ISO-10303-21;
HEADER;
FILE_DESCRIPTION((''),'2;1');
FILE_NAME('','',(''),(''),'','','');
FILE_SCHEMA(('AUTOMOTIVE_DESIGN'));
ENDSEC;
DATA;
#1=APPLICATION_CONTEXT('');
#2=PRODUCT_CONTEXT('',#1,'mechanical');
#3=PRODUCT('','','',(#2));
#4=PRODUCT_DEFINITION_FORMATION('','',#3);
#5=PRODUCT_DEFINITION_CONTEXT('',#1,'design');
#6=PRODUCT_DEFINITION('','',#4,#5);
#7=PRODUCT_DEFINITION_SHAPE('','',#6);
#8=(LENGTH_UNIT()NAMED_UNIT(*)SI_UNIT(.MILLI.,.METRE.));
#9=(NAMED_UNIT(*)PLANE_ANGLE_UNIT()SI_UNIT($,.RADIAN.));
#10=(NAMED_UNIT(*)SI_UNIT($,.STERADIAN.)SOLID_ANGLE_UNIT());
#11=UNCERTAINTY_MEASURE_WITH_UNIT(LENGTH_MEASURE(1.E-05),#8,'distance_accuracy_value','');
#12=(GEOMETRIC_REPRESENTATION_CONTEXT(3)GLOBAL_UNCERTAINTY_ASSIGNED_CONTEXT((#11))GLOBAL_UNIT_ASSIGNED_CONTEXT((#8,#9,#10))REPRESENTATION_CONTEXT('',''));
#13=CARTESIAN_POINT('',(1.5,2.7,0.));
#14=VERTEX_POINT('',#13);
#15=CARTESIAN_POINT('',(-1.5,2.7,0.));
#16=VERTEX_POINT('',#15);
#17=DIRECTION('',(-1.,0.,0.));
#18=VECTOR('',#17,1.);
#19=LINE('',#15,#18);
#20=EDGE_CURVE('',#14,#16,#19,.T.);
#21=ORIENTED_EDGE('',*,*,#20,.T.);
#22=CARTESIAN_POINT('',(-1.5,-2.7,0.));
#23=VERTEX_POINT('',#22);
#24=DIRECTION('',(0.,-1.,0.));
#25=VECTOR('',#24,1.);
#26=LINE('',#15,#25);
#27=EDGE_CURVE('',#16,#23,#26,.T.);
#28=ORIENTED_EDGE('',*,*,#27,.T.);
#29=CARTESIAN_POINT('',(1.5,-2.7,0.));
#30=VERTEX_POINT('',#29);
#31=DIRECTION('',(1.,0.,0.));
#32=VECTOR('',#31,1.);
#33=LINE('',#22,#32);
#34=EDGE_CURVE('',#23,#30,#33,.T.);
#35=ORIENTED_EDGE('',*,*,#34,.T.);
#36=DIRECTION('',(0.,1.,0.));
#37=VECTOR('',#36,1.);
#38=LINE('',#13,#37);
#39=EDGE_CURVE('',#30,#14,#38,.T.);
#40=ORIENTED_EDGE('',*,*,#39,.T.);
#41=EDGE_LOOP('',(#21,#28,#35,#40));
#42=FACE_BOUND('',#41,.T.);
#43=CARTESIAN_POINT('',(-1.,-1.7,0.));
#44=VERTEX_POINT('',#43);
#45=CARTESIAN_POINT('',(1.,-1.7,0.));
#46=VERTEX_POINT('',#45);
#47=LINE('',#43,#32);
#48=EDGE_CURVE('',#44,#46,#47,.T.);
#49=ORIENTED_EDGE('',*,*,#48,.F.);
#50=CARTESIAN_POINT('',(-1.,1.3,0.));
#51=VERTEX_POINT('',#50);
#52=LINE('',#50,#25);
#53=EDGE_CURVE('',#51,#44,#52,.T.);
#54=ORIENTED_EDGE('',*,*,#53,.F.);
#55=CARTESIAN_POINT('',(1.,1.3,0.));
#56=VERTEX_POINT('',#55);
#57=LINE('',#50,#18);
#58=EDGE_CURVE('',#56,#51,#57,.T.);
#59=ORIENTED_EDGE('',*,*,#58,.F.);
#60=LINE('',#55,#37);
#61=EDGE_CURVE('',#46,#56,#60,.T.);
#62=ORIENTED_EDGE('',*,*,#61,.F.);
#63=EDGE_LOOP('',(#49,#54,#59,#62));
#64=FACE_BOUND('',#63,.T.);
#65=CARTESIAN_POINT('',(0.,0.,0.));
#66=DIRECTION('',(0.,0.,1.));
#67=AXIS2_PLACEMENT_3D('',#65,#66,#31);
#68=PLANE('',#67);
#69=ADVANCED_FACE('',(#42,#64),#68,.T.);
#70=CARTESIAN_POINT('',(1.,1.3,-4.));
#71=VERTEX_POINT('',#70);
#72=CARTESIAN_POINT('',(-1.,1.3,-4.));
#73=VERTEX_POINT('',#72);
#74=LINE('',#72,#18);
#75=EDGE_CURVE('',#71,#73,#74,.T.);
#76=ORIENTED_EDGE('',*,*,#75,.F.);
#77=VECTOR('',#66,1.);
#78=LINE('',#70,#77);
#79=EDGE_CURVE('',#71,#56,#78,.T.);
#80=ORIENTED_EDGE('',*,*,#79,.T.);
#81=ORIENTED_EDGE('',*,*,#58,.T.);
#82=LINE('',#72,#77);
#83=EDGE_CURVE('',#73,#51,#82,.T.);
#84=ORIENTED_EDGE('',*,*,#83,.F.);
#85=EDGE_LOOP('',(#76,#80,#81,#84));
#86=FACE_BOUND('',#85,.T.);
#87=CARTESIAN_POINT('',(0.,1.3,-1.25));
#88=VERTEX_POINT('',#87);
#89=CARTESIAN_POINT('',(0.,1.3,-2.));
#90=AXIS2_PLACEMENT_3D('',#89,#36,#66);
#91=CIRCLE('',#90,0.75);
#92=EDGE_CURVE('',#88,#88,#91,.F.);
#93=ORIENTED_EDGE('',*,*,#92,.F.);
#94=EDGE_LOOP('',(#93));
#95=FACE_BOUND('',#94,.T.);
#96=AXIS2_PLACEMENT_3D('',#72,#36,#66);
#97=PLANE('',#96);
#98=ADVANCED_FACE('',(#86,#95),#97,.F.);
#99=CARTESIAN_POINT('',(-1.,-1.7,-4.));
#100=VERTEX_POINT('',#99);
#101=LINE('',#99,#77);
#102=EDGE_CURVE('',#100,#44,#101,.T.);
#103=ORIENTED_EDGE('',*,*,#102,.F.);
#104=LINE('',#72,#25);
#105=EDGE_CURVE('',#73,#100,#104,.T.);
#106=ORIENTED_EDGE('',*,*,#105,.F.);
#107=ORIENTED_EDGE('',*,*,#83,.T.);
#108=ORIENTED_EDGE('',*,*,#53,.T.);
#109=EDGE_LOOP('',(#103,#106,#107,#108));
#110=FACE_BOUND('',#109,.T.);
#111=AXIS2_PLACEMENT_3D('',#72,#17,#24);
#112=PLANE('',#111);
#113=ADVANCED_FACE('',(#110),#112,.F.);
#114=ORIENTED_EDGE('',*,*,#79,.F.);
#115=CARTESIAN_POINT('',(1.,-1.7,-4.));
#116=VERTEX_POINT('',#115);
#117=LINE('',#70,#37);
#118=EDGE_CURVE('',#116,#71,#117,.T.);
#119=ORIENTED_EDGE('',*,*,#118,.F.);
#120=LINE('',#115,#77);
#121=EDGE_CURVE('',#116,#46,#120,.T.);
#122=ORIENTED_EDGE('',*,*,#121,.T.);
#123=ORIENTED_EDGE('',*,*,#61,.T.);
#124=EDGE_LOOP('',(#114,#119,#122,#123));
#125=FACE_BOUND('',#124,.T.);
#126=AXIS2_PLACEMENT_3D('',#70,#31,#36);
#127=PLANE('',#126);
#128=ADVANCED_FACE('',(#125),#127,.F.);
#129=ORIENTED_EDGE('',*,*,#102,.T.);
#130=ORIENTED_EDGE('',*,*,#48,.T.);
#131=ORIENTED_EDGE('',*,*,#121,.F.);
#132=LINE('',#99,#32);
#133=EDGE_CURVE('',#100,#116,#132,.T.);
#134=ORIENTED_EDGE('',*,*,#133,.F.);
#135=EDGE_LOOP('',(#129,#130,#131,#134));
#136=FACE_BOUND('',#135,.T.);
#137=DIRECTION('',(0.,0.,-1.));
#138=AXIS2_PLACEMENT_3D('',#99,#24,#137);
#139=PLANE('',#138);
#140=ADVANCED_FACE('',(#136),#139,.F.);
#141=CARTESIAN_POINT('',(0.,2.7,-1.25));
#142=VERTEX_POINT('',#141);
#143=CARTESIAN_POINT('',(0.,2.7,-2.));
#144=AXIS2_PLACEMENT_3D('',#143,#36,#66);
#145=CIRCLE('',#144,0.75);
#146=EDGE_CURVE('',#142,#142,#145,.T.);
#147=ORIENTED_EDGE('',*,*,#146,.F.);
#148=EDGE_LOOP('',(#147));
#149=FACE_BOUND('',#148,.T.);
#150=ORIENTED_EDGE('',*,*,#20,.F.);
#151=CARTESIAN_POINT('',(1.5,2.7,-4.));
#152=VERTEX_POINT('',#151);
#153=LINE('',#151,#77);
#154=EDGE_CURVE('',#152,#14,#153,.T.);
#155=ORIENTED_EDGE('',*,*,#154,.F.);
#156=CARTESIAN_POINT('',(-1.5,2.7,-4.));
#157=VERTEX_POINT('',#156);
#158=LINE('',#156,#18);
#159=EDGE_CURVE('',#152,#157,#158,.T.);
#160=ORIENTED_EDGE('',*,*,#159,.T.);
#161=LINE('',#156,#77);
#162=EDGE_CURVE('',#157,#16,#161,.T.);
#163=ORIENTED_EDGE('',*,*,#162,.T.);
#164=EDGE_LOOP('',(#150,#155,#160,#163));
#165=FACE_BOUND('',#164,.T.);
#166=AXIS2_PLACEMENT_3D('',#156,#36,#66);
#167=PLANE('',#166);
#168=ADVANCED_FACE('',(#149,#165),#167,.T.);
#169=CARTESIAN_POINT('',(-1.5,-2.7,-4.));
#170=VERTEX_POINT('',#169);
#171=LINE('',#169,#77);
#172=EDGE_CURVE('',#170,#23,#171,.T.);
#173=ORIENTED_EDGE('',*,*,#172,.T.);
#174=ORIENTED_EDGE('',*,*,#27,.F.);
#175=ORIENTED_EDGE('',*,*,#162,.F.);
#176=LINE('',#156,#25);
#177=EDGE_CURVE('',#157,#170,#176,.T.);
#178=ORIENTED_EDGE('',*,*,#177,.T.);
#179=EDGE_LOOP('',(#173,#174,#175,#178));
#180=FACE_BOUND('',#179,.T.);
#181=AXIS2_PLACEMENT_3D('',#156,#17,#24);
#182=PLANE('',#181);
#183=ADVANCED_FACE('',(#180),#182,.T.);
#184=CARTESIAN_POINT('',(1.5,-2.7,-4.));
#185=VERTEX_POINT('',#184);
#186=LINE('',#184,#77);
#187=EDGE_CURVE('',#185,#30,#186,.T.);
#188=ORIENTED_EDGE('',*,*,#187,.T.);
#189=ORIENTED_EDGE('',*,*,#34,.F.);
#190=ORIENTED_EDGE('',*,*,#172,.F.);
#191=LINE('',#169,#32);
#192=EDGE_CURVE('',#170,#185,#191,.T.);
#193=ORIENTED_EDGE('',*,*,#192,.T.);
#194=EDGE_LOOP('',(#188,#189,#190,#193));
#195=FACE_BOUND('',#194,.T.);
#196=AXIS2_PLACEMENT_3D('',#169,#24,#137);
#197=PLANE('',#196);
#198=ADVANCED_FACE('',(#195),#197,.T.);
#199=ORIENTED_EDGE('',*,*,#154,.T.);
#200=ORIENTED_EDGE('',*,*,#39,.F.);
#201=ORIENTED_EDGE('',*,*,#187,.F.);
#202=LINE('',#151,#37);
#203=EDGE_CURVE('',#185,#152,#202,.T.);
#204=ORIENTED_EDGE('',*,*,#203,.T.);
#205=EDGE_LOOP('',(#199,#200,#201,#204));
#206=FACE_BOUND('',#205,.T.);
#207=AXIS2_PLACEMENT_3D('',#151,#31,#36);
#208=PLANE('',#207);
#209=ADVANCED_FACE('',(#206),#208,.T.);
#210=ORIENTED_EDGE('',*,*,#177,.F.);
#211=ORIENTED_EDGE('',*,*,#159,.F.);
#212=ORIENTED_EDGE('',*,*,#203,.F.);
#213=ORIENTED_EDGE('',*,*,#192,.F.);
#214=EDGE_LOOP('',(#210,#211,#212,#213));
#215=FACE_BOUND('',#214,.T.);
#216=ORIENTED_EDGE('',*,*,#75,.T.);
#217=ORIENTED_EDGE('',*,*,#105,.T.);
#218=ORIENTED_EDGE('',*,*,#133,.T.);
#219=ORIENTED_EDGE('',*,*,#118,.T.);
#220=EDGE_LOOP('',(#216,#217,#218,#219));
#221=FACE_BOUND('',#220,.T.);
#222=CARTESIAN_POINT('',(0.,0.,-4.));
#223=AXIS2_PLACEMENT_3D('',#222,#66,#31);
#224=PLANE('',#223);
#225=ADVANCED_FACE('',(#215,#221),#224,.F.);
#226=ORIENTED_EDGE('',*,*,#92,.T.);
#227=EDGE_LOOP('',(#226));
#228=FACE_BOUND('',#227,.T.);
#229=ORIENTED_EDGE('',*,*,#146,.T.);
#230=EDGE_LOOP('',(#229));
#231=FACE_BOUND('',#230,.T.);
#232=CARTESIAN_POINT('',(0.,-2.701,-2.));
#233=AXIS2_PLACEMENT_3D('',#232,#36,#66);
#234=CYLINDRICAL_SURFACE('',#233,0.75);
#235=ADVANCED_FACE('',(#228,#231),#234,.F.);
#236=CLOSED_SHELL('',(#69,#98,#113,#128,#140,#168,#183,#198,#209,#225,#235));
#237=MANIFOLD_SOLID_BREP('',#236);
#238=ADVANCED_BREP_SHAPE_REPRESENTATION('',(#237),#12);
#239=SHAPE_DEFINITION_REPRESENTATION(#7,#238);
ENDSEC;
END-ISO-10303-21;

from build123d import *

# Parameters (mm, degrees)
SKETCH_1_W          = 3
SKETCH_1_H          = 5.4
EXTRUDE_1_DEPTH     = 4
SKETCH_2_W          = 2
SKETCH_2_H          = 3
CUT_EXTRUDE_1_DEPTH = 6.053711507
CUT_EXTRUDE_2_REACH = 8.885
SKETCH_3_R          = 0.75


with BuildPart() as part:
    # Эскиз1 → Бобышка-Вытянуть1 (new body)
    with BuildSketch(Plane.XY):
        Rectangle(SKETCH_1_W, SKETCH_1_H)
    extrude(amount=-EXTRUDE_1_DEPTH)

    # Эскиз2 → Вырез-Вытянуть1 (cut, through all)
    with BuildSketch(Plane.XY):
        with Locations((0, -0.2)):
            Rectangle(SKETCH_2_W, SKETCH_2_H)
    extrude(amount=-CUT_EXTRUDE_1_DEPTH, mode=Mode.SUBTRACT)

    # Эскиз3 → Вырез-Вытянуть2 (cut, up to next)
    with BuildSketch(Plane(origin=(0, 2.7, 0), x_dir=(1, 0, 0), z_dir=(0, 1, 0)), mode=Mode.PRIVATE) as cut_extrude_2_sk1:
        with Locations(Location((0, 2, 0), (0, 0, 270))):
            Circle(SKETCH_3_R)
    cut_extrude_2_tool1 = extrude(cut_extrude_2_sk1.sketch, amount=-CUT_EXTRUDE_2_REACH, mode=Mode.PRIVATE) & part.part
    add(cut_extrude_2_tool1.solids().sort_by_distance((0, 2.7, -2))[0], mode=Mode.SUBTRACT)


solid = part.part
